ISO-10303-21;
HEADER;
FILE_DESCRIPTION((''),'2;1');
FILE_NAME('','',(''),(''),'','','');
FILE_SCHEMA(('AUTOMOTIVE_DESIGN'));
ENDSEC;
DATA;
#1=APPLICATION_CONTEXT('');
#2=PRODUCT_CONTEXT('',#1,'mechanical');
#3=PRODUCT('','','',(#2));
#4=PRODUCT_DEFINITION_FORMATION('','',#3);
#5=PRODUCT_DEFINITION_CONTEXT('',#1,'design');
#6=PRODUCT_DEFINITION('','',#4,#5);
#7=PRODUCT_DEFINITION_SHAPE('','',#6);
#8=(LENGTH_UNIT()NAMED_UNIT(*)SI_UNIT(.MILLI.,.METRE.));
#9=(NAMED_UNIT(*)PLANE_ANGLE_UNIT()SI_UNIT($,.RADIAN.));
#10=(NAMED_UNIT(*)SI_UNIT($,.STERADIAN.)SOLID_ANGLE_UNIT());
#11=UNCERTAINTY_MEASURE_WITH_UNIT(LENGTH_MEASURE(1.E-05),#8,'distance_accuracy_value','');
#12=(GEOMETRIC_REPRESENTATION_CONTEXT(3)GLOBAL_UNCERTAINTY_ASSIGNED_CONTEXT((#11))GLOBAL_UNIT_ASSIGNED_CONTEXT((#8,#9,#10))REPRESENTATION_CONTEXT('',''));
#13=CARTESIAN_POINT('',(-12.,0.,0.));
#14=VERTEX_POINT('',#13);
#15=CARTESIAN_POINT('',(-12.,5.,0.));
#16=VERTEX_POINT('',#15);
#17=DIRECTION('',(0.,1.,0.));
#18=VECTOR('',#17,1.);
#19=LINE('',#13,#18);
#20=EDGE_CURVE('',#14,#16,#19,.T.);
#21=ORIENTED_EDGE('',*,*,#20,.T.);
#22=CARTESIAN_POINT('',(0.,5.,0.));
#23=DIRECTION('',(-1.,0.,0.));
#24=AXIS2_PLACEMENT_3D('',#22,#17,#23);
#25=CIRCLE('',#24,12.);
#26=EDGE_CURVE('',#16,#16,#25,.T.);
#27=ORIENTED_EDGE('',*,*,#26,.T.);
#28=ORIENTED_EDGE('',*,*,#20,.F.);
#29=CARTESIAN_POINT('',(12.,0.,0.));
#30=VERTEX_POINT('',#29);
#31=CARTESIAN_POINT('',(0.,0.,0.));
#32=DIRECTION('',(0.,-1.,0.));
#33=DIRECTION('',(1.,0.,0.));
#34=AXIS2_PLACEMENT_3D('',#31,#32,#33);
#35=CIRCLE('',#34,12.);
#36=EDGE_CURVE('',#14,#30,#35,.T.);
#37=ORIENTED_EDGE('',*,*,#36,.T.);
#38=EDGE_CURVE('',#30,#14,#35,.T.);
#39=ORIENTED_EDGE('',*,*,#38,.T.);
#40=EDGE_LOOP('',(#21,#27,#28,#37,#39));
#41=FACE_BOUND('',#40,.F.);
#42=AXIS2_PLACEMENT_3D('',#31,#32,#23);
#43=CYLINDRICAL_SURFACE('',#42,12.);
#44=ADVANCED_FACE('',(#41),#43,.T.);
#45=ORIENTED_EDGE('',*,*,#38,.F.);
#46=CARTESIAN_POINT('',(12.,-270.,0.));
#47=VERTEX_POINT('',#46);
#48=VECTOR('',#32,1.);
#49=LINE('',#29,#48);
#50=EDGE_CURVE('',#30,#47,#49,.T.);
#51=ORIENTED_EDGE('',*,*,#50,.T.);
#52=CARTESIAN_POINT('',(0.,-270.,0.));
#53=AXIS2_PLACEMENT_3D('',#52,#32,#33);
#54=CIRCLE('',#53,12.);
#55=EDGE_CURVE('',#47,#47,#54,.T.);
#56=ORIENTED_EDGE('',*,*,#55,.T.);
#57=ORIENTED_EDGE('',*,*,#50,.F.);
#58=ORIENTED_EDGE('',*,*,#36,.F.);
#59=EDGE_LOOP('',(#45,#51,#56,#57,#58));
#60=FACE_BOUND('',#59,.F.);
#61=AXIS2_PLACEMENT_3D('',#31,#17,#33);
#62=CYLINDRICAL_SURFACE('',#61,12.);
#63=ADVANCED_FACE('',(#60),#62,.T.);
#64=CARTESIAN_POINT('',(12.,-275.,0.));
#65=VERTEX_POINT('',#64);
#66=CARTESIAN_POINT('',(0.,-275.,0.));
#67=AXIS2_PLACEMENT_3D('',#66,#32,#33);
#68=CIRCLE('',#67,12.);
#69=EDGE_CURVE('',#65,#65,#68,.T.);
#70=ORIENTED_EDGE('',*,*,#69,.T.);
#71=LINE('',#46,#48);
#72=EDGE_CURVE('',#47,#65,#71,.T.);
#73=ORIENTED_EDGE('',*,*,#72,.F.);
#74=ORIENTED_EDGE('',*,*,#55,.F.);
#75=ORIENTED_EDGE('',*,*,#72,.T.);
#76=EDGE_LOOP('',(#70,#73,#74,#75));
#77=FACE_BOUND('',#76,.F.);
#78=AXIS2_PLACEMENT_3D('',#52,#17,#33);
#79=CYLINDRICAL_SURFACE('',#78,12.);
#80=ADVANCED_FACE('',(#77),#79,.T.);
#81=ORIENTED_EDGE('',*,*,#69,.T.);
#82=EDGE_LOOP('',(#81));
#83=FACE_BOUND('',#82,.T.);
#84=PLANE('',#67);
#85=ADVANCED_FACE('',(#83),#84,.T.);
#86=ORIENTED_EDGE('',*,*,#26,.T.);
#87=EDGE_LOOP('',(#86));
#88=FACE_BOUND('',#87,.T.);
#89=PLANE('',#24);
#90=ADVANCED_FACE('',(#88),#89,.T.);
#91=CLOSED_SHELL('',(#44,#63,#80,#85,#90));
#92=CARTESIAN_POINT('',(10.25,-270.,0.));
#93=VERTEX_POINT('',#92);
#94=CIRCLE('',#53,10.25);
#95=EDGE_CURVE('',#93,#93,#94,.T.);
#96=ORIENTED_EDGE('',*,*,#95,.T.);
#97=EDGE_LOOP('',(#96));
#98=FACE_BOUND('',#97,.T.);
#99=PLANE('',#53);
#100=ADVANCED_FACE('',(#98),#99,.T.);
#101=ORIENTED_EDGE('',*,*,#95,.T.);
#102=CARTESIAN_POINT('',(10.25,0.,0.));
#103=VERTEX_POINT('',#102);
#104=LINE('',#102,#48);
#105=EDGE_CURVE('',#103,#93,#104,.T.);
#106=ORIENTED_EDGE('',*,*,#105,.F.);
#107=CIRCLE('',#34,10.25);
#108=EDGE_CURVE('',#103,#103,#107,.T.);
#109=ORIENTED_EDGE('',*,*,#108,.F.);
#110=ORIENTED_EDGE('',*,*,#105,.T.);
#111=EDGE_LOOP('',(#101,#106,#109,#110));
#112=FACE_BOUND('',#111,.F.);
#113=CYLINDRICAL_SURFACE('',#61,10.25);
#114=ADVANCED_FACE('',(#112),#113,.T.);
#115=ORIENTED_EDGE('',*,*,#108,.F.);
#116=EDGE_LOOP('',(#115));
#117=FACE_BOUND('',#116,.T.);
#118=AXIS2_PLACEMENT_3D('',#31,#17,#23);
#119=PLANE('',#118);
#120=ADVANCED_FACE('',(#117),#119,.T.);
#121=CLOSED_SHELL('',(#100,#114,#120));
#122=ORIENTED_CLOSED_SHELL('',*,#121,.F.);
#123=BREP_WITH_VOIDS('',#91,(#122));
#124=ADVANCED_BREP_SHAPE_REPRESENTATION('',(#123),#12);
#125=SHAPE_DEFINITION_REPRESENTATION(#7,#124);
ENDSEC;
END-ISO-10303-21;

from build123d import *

# Parameters (mm, degrees)
F0_R     = 12
F0_R_2   = 10.25
F1_DEPTH = 270
F2_R     = 12
F3_DEPTH = 5
F4_R     = 12
F5_DEPTH = 5


with BuildPart() as f1:
    # F0 (on Front) → F1 (new body)
    with BuildSketch(Plane.XZ):
        Circle(F0_R)
        Circle(F0_R_2, mode=Mode.SUBTRACT)
    extrude(amount=F1_DEPTH)

    # F2 (on face) → F3 (join)
    with BuildSketch(Plane(origin=(0, 0, 0), x_dir=(-1, 0, 0), z_dir=(0, 1, 0))):
        Circle(F2_R)
    extrude(amount=F3_DEPTH)

    # F4 (on face) → F5 (join)
    with BuildSketch(Plane.XZ.offset(270)):
        Circle(F4_R)
    extrude(amount=F5_DEPTH)


solid = f1.part
